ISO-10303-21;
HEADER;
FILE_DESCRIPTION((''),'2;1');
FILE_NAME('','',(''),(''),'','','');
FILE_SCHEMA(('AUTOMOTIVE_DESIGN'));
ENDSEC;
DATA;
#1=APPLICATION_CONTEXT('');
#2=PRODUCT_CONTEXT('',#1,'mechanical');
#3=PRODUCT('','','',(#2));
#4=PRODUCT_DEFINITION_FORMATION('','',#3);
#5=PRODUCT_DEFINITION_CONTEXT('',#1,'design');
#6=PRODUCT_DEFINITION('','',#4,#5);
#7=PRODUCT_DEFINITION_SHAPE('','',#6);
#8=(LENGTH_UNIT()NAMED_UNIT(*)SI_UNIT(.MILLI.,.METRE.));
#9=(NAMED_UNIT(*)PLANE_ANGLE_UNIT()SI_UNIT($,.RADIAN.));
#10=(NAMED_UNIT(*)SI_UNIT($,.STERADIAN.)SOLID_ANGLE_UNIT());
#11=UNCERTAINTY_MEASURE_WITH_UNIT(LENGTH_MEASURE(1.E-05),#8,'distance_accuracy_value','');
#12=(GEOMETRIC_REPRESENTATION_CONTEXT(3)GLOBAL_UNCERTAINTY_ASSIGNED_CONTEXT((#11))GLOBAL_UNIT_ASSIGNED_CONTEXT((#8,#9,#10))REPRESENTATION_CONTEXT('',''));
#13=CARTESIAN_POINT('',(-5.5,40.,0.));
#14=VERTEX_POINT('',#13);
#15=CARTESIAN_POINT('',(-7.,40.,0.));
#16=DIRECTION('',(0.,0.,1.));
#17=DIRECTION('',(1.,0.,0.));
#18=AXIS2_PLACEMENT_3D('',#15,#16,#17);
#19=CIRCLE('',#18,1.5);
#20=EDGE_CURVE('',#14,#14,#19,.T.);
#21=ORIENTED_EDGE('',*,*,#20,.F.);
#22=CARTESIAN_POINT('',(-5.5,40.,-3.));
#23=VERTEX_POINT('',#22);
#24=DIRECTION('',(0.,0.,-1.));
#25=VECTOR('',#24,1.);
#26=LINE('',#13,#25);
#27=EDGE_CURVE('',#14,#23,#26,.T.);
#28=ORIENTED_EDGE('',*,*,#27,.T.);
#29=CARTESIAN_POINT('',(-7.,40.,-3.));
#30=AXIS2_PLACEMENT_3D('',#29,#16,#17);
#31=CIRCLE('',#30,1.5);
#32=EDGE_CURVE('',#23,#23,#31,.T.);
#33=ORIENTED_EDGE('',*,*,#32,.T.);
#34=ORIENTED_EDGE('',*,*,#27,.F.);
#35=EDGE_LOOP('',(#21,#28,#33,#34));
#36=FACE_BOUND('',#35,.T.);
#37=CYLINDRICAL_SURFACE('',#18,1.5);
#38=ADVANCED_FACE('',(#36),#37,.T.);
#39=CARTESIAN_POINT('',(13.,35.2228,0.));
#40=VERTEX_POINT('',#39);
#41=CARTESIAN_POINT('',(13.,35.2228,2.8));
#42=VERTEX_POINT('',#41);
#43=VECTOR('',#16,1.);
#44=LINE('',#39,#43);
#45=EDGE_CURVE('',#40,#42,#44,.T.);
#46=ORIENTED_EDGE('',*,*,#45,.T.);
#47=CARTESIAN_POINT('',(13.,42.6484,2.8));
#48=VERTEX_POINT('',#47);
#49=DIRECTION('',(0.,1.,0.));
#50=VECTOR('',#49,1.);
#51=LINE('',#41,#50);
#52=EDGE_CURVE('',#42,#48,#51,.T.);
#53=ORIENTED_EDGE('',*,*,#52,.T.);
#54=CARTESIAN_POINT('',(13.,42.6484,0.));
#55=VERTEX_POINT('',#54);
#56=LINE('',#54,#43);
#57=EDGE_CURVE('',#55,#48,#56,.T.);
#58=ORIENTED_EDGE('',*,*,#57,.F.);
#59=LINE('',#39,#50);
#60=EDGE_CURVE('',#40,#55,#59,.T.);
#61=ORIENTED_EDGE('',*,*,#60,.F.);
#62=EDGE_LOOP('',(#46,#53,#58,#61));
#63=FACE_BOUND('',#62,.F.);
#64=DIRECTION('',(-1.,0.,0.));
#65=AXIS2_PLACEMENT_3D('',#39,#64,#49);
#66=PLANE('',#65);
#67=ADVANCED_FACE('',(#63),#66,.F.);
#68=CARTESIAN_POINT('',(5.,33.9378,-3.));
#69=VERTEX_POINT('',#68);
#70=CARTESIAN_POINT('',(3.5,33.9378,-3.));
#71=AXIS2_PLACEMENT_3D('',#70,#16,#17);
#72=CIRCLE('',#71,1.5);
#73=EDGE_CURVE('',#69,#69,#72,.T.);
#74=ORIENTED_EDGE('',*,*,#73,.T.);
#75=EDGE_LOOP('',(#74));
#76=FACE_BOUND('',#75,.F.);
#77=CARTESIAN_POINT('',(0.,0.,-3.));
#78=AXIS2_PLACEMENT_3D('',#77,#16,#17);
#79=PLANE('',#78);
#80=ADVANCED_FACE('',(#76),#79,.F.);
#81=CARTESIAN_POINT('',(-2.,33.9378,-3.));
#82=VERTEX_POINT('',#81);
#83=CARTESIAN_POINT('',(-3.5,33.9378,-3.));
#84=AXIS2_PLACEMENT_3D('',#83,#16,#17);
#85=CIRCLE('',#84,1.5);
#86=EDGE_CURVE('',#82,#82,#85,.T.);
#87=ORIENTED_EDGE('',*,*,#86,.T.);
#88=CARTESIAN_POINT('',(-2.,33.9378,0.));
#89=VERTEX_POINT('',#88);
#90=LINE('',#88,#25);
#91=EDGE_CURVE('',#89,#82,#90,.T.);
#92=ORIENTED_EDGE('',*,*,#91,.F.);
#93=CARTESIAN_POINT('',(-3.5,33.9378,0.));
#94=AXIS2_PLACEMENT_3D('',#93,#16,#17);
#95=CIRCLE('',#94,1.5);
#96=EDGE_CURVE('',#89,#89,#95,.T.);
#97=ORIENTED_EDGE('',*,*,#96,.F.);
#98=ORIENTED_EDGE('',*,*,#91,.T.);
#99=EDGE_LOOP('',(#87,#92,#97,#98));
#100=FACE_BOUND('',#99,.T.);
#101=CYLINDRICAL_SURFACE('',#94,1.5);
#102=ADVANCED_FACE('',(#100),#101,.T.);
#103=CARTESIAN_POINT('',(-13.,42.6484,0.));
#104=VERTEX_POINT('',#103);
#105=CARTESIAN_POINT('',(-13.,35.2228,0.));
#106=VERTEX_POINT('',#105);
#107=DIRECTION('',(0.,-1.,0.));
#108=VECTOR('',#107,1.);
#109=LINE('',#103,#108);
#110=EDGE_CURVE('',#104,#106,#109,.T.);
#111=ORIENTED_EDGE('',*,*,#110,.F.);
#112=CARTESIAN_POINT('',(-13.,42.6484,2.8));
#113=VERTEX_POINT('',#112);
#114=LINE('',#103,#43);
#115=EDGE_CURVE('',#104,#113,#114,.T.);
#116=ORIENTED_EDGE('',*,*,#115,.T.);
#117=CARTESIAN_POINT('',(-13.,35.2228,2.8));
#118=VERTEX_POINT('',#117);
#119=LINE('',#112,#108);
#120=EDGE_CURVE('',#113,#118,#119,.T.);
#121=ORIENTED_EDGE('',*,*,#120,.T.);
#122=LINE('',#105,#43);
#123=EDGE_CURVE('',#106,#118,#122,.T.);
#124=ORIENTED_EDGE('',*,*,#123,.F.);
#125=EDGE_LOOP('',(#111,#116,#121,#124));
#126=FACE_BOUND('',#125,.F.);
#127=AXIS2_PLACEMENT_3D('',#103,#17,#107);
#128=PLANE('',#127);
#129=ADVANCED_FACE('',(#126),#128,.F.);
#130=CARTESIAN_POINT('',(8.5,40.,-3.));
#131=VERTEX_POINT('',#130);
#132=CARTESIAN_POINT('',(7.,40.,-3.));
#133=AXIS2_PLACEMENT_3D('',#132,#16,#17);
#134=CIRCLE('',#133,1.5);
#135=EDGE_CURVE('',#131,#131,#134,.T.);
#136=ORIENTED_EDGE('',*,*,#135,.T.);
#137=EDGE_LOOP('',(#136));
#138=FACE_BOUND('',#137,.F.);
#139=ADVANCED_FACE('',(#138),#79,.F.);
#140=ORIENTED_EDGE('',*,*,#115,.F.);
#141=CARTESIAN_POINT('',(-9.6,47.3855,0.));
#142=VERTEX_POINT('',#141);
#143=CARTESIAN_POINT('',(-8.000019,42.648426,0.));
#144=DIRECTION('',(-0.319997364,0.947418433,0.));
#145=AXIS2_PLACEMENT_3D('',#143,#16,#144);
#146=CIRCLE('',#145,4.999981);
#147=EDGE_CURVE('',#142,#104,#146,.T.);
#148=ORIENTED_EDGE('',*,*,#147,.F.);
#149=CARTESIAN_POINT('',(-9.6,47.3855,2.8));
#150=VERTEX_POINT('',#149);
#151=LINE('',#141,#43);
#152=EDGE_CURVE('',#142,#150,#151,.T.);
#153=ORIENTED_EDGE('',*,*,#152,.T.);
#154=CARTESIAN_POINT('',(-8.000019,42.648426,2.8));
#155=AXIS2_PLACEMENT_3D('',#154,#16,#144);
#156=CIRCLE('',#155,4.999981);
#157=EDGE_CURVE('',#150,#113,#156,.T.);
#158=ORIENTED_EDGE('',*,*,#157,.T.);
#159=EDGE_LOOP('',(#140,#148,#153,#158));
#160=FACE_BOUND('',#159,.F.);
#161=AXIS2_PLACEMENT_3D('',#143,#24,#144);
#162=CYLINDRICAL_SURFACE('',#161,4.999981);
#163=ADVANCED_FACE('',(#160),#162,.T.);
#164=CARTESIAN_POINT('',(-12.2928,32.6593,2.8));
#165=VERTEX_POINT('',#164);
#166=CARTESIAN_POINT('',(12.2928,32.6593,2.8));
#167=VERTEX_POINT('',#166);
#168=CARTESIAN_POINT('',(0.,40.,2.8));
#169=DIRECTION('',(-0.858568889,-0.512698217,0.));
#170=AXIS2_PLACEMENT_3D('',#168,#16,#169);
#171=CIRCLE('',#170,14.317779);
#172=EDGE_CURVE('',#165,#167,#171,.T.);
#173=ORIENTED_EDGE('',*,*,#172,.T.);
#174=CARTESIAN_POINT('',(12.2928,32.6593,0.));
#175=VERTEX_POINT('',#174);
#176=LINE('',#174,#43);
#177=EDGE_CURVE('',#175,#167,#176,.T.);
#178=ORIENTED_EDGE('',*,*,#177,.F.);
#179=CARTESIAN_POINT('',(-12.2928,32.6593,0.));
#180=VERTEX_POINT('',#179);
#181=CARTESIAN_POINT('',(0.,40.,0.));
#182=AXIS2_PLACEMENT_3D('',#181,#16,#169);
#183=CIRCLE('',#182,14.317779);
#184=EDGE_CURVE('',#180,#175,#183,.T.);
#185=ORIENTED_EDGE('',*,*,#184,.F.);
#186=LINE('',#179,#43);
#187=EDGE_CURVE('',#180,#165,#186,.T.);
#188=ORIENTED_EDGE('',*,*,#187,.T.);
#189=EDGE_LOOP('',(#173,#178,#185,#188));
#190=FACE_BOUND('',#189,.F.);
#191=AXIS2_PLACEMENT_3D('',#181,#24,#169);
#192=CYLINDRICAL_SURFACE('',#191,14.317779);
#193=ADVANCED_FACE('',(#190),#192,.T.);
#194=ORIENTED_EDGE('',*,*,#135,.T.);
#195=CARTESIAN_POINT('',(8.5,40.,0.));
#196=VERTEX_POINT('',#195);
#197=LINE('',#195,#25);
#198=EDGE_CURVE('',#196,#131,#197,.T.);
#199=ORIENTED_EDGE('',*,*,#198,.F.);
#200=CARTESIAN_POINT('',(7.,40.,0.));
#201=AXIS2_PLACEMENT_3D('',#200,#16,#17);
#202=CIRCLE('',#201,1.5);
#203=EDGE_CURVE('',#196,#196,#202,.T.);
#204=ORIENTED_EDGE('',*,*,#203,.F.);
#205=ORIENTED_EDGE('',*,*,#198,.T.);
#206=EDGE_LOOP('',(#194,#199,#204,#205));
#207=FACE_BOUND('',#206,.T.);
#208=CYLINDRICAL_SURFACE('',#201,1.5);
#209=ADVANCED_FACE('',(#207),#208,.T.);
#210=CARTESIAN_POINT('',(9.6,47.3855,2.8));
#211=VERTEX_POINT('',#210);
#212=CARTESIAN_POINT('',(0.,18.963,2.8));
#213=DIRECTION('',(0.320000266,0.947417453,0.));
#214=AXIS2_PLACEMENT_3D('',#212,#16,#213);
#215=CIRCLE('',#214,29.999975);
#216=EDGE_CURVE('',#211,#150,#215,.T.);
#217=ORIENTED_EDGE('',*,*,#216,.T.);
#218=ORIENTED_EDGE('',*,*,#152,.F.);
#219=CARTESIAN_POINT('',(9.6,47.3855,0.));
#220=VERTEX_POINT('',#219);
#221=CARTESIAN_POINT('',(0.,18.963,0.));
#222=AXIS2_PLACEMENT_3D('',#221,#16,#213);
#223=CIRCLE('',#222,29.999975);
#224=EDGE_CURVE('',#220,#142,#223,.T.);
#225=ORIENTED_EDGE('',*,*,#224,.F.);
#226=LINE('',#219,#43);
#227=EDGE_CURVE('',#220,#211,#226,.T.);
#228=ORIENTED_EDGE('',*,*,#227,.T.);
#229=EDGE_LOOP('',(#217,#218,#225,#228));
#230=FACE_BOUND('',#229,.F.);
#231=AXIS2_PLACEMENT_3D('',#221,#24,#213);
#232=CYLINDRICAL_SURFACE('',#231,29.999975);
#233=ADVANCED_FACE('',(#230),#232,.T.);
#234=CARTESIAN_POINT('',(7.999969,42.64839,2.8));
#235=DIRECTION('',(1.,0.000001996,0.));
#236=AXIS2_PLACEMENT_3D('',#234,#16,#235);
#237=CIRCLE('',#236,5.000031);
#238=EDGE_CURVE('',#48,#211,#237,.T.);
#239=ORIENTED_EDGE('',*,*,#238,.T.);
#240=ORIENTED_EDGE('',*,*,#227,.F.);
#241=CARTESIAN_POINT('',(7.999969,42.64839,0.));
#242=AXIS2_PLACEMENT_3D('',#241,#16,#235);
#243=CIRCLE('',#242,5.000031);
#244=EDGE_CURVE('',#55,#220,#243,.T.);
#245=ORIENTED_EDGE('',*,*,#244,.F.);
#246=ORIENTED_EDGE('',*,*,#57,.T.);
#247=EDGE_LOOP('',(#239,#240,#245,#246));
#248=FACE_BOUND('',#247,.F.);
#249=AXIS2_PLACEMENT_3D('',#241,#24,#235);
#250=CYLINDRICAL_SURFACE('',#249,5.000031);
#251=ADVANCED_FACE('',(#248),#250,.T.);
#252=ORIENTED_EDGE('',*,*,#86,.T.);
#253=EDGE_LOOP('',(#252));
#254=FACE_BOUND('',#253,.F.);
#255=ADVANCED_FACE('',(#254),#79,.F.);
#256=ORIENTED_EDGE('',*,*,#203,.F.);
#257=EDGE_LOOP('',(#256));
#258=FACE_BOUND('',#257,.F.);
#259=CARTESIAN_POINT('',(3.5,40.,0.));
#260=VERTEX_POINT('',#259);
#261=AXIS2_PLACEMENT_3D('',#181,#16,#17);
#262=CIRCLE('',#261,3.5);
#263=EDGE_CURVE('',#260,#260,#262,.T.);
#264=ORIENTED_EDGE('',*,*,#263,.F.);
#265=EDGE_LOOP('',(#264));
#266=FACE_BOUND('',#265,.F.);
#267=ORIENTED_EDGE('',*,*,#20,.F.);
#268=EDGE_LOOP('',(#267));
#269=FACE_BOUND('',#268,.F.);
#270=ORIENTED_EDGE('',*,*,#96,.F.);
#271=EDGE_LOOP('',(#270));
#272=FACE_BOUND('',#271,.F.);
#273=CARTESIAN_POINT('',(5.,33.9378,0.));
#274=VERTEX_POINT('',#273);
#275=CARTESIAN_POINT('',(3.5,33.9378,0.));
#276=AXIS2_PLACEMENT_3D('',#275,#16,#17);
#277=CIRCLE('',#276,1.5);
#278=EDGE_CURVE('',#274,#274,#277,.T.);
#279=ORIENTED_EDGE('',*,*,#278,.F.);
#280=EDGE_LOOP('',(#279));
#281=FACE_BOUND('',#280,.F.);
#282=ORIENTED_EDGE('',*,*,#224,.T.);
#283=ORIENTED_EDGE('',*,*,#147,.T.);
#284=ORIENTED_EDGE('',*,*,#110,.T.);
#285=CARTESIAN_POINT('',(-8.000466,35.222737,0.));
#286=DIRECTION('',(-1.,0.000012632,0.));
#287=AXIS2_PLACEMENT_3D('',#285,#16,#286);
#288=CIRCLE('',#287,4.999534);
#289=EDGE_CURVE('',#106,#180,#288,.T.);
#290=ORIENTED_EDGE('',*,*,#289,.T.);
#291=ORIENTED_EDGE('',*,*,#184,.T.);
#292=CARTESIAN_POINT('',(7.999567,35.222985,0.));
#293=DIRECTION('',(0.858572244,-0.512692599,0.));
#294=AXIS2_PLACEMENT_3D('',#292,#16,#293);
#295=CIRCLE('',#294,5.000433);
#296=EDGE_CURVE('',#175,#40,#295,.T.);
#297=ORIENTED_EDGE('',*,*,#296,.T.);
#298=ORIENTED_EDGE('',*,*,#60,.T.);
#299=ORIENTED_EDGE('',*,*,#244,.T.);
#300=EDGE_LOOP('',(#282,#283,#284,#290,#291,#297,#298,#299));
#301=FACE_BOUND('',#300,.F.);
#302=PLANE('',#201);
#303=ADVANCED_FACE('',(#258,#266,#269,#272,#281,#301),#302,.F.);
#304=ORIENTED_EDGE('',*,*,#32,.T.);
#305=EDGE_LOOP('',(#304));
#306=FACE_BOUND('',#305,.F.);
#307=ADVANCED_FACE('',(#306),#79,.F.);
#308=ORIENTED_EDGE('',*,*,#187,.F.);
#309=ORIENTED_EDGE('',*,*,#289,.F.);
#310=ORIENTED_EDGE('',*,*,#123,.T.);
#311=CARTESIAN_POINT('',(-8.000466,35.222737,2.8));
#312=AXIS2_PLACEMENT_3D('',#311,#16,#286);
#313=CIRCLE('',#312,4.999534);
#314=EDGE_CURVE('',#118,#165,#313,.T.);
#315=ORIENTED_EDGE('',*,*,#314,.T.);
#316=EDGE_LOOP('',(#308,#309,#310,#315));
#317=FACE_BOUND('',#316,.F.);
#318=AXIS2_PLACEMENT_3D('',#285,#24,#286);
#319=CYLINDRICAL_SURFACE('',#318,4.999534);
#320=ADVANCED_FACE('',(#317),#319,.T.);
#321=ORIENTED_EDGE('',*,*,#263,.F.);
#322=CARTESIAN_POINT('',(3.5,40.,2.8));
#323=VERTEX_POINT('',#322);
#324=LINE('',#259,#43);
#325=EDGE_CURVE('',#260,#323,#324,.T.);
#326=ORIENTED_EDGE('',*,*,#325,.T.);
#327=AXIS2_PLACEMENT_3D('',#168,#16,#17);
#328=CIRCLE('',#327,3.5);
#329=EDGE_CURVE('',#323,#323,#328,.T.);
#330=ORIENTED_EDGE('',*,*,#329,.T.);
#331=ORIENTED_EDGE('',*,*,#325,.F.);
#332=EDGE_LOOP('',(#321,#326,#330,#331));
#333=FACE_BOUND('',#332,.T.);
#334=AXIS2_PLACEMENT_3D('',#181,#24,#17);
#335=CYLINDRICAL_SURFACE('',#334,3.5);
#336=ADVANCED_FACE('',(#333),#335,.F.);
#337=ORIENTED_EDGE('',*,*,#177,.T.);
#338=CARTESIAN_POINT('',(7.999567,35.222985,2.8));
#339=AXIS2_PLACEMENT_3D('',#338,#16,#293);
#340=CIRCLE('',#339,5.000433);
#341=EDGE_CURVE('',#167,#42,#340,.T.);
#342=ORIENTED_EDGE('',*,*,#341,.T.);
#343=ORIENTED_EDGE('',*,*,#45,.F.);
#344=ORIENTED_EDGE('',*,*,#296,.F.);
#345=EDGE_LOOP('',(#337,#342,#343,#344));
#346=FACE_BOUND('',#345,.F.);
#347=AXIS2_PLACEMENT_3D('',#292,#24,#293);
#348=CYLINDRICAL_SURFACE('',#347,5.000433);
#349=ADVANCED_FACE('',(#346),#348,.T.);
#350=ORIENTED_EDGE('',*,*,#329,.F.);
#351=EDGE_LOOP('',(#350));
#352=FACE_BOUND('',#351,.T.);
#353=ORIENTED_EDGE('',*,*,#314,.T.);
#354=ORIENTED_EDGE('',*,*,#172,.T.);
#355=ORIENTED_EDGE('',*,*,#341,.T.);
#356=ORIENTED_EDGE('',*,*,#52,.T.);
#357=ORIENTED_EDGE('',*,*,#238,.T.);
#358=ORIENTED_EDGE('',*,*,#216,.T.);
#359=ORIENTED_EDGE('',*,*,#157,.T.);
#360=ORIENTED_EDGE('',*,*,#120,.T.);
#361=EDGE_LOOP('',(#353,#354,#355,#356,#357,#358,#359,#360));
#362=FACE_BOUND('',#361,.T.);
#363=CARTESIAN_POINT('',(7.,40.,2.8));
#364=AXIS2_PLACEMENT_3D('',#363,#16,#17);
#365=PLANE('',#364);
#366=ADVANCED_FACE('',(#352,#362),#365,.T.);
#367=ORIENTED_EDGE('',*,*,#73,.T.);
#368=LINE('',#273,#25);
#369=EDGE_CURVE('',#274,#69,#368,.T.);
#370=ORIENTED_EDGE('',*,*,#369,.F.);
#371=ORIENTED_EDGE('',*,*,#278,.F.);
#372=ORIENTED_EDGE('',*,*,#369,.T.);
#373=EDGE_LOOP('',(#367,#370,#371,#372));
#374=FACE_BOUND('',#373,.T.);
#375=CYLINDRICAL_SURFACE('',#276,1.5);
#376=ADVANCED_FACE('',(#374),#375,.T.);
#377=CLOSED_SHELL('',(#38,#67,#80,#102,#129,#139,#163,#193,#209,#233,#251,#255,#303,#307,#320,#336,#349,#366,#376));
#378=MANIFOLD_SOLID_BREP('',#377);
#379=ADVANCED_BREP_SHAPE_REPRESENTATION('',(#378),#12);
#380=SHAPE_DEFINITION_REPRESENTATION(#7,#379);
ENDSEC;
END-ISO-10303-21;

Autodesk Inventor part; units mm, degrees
ref_plane "YZ Plane" through (0, 0, 0) normal (1, 0, 0) x (0, 1, 0)
ref_plane "XZ Plane" through (0, 0, 0) normal (0, 1, 0) x (-1, 0, 0)
ref_plane "XY Plane" through (0, 0, 0) normal (0, 0, 1) x (1, 0, 0)
sketch "Эскиз1" plane through (0, 0, 0) normal (0, 0, 1) x (1, 0, 0)
  circle A0 centre (-3.5, 33.9378) radius 1.5 projected
  circle A1 centre (7, 40) radius 1.5 projected
  circle A2 centre (-7, 40) radius 1.5 projected
  circle A3 centre (3.5, 33.9378) radius 1.5 projected
  arc A4 (9.6, 47.3855) -> (-9.6, 47.3855) centre (0, 18.963) ccw projected
  line L0 (-13, 42.6484) -> (-13, 35.2228) projected
  arc A5 (-12.2928, 32.6593) -> (12.2928, 32.6593) centre (0, 40) ccw projected
  line L1 (13, 35.2228) -> (13, 42.6484) projected
  circle A6 centre (0, 40) radius 3.1 projected
  arc A7 (12.2928, 32.6593) -> (13, 35.2228) centre (8, 35.2228) ccw projected
  arc A8 (13, 42.6484) -> (9.6, 47.3855) centre (8, 42.6484) ccw projected
  arc A9 (-9.6, 47.3855) -> (-13, 42.6484) centre (-8, 42.6484) ccw projected
  arc A10 (-13, 35.2228) -> (-12.2928, 32.6593) centre (-8, 35.2228) ccw projected
  point P0 (0, 0)
extrude "Выдавливание1" add sketch "Эскиз1" against normal blind 3 contours A0 | A1 | A2 | A3
sketch "Эскиз2" plane through (7, 40, 0) normal (0, 0, 1) x (1, 0, 0)
  line L0 (6, -4.7772) -> (6, 2.6484) projected
  arc A0 (-19.2928, -7.3407) -> (5.2928, -7.3407) centre (-7, 0) ccw projected
  line L1 (-20, 2.6484) -> (-20, -4.7772) projected
  arc A1 (2.6, 7.3855) -> (-16.6, 7.3855) centre (-7, -21.037) ccw projected
  circle A2 centre (-7, 0) radius 3.1 construction
  circle A3 centre (-7, 0) radius 3.5
  arc A4 (-16.6, 7.3855) -> (-20, 2.6484) centre (-15, 2.6484) ccw projected
  arc A5 (6, 2.6484) -> (2.6, 7.3855) centre (1, 2.6484) ccw projected
  arc A6 (5.2928, -7.3407) -> (6, -4.7772) centre (1, -4.7772) ccw projected
  arc A7 (-20, -4.7772) -> (-19.2928, -7.3407) centre (-15, -4.7772) ccw projected
  point P0 (-7, -40)
  dimension "d2" = 7
extrude "Выдавливание2" add sketch "Эскиз2" along normal blind 2.8
properties part number "gasket_1"
